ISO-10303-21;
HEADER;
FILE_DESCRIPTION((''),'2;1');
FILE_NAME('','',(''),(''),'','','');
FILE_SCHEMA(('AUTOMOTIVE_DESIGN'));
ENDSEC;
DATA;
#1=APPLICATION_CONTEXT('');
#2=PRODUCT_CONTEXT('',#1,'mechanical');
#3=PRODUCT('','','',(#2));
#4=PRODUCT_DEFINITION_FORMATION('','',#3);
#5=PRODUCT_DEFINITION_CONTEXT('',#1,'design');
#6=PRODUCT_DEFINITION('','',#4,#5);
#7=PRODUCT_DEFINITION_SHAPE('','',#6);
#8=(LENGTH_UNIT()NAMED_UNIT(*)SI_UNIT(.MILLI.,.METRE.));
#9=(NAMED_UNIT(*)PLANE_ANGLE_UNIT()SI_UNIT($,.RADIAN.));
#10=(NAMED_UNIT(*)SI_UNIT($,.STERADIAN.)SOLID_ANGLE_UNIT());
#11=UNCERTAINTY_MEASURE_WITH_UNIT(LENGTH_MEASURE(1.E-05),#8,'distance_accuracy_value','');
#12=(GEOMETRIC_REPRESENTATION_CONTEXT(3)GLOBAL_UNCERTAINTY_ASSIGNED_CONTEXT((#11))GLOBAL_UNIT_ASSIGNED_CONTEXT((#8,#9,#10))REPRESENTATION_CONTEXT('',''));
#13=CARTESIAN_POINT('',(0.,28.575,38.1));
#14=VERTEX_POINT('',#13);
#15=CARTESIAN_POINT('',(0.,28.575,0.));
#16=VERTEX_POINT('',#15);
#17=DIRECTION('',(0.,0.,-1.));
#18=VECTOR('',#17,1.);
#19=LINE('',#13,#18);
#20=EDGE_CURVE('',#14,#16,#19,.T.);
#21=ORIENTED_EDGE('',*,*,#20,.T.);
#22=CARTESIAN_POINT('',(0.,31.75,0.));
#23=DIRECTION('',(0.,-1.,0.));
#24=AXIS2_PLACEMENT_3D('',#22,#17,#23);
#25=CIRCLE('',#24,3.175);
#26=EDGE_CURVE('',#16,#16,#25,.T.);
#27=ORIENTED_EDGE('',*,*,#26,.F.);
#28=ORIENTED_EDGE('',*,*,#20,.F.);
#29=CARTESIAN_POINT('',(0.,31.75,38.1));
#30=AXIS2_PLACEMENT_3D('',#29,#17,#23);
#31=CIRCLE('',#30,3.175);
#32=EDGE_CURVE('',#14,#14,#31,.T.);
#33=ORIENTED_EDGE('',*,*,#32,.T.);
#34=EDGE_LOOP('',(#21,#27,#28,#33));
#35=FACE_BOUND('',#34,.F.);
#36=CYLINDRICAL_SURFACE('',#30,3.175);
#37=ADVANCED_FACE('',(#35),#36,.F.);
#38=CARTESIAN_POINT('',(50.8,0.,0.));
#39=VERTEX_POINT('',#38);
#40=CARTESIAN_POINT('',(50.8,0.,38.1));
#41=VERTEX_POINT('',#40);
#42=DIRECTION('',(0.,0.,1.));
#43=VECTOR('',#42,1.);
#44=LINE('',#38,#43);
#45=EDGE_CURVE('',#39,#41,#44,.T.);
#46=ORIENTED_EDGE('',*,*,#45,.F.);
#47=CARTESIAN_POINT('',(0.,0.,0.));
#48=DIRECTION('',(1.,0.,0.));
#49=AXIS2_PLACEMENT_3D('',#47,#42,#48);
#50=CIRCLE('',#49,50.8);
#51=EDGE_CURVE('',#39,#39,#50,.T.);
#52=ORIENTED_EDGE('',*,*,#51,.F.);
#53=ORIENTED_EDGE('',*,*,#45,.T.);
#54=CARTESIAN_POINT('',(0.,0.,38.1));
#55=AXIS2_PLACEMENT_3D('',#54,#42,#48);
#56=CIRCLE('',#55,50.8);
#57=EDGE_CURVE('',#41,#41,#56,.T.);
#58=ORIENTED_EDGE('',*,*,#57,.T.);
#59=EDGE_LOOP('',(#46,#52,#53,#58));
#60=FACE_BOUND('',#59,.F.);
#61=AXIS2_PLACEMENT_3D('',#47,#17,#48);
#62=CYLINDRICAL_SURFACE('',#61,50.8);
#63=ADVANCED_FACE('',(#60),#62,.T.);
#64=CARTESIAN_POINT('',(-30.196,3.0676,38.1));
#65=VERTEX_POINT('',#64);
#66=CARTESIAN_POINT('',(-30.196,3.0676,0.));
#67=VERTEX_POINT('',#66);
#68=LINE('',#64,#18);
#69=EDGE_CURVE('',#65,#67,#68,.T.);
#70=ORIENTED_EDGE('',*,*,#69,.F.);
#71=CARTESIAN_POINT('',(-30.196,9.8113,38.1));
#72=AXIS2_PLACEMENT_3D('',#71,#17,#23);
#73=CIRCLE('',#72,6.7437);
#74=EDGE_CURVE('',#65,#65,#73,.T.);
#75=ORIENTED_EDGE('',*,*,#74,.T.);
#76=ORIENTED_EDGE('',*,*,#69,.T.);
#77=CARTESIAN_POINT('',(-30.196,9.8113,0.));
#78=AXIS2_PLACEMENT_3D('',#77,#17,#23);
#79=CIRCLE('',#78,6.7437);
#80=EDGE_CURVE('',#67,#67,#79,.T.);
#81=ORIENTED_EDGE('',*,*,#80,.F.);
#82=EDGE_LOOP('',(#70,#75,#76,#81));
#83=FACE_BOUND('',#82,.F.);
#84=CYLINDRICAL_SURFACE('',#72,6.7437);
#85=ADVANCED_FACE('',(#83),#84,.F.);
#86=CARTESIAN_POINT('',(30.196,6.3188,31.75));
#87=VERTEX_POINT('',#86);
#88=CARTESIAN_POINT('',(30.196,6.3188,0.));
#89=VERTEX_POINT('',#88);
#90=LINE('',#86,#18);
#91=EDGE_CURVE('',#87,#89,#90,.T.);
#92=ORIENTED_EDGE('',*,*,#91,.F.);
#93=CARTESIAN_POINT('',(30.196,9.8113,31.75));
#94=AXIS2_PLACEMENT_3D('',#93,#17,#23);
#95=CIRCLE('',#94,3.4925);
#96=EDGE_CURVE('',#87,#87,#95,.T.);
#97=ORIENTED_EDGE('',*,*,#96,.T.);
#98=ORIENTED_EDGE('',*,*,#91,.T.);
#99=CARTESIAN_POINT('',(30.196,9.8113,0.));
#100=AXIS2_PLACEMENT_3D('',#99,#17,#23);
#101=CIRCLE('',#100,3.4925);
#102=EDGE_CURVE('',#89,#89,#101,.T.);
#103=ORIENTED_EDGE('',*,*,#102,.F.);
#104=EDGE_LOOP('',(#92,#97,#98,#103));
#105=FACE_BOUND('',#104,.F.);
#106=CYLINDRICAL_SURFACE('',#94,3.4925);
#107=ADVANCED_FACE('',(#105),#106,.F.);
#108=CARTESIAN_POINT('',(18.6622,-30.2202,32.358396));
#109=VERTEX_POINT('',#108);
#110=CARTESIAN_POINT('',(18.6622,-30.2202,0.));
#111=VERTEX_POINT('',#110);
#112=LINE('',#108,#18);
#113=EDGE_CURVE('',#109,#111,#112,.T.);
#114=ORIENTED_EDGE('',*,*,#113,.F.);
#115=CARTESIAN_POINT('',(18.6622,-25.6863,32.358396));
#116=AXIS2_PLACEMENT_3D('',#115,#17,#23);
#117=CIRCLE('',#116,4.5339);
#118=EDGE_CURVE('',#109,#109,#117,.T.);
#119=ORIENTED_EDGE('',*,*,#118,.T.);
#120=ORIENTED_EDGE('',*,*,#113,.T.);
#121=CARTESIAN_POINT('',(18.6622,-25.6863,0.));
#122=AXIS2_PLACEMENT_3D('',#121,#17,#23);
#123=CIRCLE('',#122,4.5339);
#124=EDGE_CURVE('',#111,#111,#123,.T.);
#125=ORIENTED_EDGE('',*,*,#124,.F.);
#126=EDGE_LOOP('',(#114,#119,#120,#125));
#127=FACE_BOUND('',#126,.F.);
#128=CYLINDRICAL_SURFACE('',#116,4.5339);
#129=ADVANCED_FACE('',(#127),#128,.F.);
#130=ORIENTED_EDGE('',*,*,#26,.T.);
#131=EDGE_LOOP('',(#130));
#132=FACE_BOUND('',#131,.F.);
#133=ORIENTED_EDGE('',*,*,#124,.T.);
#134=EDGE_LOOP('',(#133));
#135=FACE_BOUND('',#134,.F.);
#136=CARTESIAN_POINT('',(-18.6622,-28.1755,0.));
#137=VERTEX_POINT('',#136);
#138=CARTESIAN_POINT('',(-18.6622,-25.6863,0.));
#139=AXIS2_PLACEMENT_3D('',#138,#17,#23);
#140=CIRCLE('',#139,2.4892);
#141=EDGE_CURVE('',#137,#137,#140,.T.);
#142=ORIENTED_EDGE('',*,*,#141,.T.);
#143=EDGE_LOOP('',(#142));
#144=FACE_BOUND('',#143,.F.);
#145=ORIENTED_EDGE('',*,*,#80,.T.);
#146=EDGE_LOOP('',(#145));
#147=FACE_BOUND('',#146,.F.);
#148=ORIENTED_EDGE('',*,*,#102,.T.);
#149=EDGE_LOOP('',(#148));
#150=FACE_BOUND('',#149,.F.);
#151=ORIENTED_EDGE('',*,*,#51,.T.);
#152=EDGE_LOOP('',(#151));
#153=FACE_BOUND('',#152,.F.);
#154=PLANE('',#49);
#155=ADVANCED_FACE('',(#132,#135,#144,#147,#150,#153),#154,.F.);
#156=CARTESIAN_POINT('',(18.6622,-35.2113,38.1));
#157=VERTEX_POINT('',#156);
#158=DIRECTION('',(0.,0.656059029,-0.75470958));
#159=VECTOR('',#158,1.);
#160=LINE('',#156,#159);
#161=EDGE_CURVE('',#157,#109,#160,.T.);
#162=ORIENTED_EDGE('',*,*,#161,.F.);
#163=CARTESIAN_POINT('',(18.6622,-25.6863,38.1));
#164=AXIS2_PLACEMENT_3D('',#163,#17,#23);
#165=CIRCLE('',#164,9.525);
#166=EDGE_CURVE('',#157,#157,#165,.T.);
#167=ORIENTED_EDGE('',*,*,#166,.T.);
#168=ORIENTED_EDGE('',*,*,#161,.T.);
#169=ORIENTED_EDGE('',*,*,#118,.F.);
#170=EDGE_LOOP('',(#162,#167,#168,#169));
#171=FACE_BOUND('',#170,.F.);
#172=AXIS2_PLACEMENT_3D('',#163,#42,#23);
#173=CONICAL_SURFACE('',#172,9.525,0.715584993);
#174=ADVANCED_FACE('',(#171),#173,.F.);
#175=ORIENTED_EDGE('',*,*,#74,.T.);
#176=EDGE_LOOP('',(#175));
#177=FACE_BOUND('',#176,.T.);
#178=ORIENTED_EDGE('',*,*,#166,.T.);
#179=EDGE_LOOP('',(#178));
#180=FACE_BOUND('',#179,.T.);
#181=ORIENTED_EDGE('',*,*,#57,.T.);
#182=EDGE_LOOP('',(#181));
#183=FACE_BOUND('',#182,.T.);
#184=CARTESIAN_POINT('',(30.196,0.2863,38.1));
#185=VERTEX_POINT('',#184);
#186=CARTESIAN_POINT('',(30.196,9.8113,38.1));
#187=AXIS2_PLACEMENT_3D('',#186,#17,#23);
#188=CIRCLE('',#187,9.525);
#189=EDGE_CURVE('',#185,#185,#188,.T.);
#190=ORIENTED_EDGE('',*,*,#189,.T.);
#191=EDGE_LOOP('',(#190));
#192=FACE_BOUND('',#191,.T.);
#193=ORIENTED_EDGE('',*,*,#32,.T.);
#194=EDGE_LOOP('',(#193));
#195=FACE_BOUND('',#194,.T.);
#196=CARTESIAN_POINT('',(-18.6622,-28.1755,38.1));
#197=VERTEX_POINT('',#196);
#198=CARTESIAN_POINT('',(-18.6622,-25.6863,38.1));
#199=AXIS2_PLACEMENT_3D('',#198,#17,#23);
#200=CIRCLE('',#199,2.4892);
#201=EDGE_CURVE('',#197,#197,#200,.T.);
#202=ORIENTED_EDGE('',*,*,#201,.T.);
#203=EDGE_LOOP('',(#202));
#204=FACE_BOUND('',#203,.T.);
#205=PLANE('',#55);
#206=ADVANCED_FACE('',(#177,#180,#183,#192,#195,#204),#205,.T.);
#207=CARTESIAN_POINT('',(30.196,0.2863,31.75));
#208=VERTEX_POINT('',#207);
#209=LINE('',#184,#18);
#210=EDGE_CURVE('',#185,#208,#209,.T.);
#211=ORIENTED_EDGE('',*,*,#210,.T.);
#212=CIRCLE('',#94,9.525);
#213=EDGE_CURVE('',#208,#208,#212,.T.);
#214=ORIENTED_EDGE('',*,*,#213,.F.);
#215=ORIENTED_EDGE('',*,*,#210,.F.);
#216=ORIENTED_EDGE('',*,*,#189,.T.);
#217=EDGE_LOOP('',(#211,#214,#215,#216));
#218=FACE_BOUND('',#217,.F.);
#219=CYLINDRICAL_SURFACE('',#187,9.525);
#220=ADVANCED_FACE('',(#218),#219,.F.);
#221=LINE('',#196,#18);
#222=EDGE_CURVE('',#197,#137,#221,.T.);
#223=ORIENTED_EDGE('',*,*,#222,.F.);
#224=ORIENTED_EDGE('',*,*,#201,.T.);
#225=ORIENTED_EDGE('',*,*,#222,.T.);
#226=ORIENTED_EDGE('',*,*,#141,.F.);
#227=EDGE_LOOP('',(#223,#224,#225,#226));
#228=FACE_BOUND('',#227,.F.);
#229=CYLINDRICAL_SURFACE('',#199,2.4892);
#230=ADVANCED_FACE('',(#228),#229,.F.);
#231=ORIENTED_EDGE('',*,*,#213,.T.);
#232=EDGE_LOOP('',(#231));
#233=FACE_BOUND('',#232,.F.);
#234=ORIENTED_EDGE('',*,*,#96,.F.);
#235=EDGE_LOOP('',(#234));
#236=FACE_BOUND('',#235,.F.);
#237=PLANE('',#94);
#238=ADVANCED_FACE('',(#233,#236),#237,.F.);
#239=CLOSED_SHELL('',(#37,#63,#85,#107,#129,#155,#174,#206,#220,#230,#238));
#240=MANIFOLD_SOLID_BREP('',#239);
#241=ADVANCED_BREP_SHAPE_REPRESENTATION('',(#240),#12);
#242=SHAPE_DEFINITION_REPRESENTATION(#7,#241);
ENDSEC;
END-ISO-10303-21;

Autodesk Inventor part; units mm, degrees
ref_plane "YZ Plane" through (0, 0, 0) normal (1, 0, 0) x (0, 1, 0)
ref_plane "XZ Plane" through (0, 0, 0) normal (0, 1, 0) x (-1, 0, 0)
ref_plane "XY Plane" through (0, 0, 0) normal (0, 0, 1) x (1, 0, 0)
sketch "Sketch1" plane through (0, 0, 0) normal (0, 0, 1) x (1, 0, 0)
  circle A0 centre (0, 0) radius 50.8
extrude "Extrusion1" add sketch "Sketch1" along normal blind 38.1
sketch "Sketch2" plane through (0, 0, 38.1) normal (0, 0, 1) x (1, 0, 0)
  circle A0 centre (0, 0) radius 31.75 construction
  circle A1 centre (0, 0) radius 31.75 construction
  circle A2 centre (0, 0) radius 31.75 construction
  circle A3 centre (0, 0) radius 31.75 construction
  circle A4 centre (0, 0) radius 31.75 construction
  point P0 (0, 31.75)
  point P1 (-30.196, 9.8113)
  point P2 (-18.6622, -25.6863)
  point P3 (18.6622, -25.6863)
  point P4 (30.196, 9.8113)
  dimension "d8" = 63.5
  dimension "d11" = 360
hole "Hole1" at (0, 31.75, 38.1) direction (0, 0, -1) diameter 6.35 depth 38.1 tip angle 118
hole "Hole2" at (30.196, 9.8113, 38.1) direction (0, 0, -1) diameter 6.985 depth 38.1 tip angle 118 counterbore diameter 19.05 counterbore depth 6.35
hole "Hole3" at (18.6622, -25.6863, 38.1) direction (0, 0, -1) diameter 9.0678 end through all countersink diameter 19.05 countersink angle 82
hole "Hole4" at (-18.6622, -25.6863, 38.1) direction (0, 0, -1) diameter 4.9784 end through all thread size "1/4-20 UNC" class "1B" standard "ANSI Unified Screw Threads"
hole "Hole5" at (-30.196, 9.8113, 38.1) direction (0, 0, -1) diameter 13.4874 end through all clearance for "Hex Head Bolt" size "1/2" standard "Ansi Unified Screw Threads"
properties part number "Hole Practice"
